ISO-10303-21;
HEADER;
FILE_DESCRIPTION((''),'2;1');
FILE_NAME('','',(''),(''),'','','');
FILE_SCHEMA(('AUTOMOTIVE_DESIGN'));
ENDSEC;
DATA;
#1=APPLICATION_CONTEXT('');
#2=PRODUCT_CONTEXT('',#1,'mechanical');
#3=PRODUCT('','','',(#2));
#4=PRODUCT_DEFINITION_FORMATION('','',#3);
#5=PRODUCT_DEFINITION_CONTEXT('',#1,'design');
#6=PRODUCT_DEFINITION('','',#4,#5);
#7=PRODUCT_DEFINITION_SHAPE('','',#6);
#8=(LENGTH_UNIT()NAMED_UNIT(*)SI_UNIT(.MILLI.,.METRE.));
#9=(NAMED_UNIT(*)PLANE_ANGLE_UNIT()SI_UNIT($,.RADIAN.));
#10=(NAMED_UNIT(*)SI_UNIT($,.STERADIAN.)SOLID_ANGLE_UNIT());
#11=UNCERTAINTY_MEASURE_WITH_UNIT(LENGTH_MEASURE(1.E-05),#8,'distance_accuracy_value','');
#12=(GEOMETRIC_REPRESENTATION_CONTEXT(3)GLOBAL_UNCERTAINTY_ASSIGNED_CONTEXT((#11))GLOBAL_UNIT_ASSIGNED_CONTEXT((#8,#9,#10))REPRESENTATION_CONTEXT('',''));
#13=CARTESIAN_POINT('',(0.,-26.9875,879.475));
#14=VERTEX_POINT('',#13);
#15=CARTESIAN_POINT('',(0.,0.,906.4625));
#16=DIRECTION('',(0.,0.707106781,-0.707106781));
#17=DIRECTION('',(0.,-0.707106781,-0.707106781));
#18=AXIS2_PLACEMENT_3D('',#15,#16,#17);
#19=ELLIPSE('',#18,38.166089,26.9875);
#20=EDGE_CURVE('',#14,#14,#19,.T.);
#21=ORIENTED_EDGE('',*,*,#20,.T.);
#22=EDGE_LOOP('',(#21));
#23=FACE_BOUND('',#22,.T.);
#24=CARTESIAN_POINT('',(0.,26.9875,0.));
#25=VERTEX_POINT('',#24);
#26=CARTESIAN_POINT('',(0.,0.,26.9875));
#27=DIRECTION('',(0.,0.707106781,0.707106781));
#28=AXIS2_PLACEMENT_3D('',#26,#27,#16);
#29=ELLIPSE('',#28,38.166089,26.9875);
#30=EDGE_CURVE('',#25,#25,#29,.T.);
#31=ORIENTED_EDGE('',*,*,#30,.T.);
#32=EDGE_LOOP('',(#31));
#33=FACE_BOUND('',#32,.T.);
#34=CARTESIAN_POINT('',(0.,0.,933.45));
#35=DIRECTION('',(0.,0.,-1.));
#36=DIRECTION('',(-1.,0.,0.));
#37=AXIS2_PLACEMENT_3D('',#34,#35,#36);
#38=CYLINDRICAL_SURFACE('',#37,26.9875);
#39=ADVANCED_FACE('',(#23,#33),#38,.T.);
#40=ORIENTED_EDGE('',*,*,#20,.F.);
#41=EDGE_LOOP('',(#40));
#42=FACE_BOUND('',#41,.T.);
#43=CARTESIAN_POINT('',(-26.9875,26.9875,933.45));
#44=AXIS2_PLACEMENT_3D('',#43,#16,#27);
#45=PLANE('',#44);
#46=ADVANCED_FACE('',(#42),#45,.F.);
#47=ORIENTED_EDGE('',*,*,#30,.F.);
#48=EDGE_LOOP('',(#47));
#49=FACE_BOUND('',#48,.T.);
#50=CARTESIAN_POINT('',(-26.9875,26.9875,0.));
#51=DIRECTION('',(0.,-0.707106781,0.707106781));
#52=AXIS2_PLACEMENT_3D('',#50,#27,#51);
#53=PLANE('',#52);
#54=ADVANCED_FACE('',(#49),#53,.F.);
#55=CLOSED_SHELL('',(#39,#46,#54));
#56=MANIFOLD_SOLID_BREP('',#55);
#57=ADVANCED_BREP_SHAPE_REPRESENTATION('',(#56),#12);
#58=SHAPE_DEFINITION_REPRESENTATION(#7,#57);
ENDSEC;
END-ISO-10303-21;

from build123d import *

# Parameters (mm, degrees)
SKETCH1_R               = 26.9875
BOSS_EXTRUDE1_DEPTH     = 933.45
CUT_EXTRUDE2_DEPTH      = 935.229925025
CUT_EXTRUDE2_DEPTH_BACK = 935.229925025


with BuildPart() as part:
    # Sketch1 → Boss-Extrude1 (new body)
    with BuildSketch(Plane.XY):
        Circle(SKETCH1_R)
    extrude(amount=BOSS_EXTRUDE1_DEPTH)

    # Sketch2 → Cut-Extrude2 (cut, two sides: drawn at the far end of the back side and taken through both)
    with BuildSketch(Plane(origin=(0, 0, 0), x_dir=(0, 0, -1), z_dir=(1, 0, 0)).offset(-CUT_EXTRUDE2_DEPTH_BACK)):
        Polygon((-933.45, 26.9875), (-879.475, -26.9875), (-933.45, -26.9875), align=None)
        Polygon((0, 26.9875), (-53.975, -26.9875), (0, -26.9875), align=None)
    extrude(amount=CUT_EXTRUDE2_DEPTH + CUT_EXTRUDE2_DEPTH_BACK, mode=Mode.SUBTRACT)


solid = part.part
